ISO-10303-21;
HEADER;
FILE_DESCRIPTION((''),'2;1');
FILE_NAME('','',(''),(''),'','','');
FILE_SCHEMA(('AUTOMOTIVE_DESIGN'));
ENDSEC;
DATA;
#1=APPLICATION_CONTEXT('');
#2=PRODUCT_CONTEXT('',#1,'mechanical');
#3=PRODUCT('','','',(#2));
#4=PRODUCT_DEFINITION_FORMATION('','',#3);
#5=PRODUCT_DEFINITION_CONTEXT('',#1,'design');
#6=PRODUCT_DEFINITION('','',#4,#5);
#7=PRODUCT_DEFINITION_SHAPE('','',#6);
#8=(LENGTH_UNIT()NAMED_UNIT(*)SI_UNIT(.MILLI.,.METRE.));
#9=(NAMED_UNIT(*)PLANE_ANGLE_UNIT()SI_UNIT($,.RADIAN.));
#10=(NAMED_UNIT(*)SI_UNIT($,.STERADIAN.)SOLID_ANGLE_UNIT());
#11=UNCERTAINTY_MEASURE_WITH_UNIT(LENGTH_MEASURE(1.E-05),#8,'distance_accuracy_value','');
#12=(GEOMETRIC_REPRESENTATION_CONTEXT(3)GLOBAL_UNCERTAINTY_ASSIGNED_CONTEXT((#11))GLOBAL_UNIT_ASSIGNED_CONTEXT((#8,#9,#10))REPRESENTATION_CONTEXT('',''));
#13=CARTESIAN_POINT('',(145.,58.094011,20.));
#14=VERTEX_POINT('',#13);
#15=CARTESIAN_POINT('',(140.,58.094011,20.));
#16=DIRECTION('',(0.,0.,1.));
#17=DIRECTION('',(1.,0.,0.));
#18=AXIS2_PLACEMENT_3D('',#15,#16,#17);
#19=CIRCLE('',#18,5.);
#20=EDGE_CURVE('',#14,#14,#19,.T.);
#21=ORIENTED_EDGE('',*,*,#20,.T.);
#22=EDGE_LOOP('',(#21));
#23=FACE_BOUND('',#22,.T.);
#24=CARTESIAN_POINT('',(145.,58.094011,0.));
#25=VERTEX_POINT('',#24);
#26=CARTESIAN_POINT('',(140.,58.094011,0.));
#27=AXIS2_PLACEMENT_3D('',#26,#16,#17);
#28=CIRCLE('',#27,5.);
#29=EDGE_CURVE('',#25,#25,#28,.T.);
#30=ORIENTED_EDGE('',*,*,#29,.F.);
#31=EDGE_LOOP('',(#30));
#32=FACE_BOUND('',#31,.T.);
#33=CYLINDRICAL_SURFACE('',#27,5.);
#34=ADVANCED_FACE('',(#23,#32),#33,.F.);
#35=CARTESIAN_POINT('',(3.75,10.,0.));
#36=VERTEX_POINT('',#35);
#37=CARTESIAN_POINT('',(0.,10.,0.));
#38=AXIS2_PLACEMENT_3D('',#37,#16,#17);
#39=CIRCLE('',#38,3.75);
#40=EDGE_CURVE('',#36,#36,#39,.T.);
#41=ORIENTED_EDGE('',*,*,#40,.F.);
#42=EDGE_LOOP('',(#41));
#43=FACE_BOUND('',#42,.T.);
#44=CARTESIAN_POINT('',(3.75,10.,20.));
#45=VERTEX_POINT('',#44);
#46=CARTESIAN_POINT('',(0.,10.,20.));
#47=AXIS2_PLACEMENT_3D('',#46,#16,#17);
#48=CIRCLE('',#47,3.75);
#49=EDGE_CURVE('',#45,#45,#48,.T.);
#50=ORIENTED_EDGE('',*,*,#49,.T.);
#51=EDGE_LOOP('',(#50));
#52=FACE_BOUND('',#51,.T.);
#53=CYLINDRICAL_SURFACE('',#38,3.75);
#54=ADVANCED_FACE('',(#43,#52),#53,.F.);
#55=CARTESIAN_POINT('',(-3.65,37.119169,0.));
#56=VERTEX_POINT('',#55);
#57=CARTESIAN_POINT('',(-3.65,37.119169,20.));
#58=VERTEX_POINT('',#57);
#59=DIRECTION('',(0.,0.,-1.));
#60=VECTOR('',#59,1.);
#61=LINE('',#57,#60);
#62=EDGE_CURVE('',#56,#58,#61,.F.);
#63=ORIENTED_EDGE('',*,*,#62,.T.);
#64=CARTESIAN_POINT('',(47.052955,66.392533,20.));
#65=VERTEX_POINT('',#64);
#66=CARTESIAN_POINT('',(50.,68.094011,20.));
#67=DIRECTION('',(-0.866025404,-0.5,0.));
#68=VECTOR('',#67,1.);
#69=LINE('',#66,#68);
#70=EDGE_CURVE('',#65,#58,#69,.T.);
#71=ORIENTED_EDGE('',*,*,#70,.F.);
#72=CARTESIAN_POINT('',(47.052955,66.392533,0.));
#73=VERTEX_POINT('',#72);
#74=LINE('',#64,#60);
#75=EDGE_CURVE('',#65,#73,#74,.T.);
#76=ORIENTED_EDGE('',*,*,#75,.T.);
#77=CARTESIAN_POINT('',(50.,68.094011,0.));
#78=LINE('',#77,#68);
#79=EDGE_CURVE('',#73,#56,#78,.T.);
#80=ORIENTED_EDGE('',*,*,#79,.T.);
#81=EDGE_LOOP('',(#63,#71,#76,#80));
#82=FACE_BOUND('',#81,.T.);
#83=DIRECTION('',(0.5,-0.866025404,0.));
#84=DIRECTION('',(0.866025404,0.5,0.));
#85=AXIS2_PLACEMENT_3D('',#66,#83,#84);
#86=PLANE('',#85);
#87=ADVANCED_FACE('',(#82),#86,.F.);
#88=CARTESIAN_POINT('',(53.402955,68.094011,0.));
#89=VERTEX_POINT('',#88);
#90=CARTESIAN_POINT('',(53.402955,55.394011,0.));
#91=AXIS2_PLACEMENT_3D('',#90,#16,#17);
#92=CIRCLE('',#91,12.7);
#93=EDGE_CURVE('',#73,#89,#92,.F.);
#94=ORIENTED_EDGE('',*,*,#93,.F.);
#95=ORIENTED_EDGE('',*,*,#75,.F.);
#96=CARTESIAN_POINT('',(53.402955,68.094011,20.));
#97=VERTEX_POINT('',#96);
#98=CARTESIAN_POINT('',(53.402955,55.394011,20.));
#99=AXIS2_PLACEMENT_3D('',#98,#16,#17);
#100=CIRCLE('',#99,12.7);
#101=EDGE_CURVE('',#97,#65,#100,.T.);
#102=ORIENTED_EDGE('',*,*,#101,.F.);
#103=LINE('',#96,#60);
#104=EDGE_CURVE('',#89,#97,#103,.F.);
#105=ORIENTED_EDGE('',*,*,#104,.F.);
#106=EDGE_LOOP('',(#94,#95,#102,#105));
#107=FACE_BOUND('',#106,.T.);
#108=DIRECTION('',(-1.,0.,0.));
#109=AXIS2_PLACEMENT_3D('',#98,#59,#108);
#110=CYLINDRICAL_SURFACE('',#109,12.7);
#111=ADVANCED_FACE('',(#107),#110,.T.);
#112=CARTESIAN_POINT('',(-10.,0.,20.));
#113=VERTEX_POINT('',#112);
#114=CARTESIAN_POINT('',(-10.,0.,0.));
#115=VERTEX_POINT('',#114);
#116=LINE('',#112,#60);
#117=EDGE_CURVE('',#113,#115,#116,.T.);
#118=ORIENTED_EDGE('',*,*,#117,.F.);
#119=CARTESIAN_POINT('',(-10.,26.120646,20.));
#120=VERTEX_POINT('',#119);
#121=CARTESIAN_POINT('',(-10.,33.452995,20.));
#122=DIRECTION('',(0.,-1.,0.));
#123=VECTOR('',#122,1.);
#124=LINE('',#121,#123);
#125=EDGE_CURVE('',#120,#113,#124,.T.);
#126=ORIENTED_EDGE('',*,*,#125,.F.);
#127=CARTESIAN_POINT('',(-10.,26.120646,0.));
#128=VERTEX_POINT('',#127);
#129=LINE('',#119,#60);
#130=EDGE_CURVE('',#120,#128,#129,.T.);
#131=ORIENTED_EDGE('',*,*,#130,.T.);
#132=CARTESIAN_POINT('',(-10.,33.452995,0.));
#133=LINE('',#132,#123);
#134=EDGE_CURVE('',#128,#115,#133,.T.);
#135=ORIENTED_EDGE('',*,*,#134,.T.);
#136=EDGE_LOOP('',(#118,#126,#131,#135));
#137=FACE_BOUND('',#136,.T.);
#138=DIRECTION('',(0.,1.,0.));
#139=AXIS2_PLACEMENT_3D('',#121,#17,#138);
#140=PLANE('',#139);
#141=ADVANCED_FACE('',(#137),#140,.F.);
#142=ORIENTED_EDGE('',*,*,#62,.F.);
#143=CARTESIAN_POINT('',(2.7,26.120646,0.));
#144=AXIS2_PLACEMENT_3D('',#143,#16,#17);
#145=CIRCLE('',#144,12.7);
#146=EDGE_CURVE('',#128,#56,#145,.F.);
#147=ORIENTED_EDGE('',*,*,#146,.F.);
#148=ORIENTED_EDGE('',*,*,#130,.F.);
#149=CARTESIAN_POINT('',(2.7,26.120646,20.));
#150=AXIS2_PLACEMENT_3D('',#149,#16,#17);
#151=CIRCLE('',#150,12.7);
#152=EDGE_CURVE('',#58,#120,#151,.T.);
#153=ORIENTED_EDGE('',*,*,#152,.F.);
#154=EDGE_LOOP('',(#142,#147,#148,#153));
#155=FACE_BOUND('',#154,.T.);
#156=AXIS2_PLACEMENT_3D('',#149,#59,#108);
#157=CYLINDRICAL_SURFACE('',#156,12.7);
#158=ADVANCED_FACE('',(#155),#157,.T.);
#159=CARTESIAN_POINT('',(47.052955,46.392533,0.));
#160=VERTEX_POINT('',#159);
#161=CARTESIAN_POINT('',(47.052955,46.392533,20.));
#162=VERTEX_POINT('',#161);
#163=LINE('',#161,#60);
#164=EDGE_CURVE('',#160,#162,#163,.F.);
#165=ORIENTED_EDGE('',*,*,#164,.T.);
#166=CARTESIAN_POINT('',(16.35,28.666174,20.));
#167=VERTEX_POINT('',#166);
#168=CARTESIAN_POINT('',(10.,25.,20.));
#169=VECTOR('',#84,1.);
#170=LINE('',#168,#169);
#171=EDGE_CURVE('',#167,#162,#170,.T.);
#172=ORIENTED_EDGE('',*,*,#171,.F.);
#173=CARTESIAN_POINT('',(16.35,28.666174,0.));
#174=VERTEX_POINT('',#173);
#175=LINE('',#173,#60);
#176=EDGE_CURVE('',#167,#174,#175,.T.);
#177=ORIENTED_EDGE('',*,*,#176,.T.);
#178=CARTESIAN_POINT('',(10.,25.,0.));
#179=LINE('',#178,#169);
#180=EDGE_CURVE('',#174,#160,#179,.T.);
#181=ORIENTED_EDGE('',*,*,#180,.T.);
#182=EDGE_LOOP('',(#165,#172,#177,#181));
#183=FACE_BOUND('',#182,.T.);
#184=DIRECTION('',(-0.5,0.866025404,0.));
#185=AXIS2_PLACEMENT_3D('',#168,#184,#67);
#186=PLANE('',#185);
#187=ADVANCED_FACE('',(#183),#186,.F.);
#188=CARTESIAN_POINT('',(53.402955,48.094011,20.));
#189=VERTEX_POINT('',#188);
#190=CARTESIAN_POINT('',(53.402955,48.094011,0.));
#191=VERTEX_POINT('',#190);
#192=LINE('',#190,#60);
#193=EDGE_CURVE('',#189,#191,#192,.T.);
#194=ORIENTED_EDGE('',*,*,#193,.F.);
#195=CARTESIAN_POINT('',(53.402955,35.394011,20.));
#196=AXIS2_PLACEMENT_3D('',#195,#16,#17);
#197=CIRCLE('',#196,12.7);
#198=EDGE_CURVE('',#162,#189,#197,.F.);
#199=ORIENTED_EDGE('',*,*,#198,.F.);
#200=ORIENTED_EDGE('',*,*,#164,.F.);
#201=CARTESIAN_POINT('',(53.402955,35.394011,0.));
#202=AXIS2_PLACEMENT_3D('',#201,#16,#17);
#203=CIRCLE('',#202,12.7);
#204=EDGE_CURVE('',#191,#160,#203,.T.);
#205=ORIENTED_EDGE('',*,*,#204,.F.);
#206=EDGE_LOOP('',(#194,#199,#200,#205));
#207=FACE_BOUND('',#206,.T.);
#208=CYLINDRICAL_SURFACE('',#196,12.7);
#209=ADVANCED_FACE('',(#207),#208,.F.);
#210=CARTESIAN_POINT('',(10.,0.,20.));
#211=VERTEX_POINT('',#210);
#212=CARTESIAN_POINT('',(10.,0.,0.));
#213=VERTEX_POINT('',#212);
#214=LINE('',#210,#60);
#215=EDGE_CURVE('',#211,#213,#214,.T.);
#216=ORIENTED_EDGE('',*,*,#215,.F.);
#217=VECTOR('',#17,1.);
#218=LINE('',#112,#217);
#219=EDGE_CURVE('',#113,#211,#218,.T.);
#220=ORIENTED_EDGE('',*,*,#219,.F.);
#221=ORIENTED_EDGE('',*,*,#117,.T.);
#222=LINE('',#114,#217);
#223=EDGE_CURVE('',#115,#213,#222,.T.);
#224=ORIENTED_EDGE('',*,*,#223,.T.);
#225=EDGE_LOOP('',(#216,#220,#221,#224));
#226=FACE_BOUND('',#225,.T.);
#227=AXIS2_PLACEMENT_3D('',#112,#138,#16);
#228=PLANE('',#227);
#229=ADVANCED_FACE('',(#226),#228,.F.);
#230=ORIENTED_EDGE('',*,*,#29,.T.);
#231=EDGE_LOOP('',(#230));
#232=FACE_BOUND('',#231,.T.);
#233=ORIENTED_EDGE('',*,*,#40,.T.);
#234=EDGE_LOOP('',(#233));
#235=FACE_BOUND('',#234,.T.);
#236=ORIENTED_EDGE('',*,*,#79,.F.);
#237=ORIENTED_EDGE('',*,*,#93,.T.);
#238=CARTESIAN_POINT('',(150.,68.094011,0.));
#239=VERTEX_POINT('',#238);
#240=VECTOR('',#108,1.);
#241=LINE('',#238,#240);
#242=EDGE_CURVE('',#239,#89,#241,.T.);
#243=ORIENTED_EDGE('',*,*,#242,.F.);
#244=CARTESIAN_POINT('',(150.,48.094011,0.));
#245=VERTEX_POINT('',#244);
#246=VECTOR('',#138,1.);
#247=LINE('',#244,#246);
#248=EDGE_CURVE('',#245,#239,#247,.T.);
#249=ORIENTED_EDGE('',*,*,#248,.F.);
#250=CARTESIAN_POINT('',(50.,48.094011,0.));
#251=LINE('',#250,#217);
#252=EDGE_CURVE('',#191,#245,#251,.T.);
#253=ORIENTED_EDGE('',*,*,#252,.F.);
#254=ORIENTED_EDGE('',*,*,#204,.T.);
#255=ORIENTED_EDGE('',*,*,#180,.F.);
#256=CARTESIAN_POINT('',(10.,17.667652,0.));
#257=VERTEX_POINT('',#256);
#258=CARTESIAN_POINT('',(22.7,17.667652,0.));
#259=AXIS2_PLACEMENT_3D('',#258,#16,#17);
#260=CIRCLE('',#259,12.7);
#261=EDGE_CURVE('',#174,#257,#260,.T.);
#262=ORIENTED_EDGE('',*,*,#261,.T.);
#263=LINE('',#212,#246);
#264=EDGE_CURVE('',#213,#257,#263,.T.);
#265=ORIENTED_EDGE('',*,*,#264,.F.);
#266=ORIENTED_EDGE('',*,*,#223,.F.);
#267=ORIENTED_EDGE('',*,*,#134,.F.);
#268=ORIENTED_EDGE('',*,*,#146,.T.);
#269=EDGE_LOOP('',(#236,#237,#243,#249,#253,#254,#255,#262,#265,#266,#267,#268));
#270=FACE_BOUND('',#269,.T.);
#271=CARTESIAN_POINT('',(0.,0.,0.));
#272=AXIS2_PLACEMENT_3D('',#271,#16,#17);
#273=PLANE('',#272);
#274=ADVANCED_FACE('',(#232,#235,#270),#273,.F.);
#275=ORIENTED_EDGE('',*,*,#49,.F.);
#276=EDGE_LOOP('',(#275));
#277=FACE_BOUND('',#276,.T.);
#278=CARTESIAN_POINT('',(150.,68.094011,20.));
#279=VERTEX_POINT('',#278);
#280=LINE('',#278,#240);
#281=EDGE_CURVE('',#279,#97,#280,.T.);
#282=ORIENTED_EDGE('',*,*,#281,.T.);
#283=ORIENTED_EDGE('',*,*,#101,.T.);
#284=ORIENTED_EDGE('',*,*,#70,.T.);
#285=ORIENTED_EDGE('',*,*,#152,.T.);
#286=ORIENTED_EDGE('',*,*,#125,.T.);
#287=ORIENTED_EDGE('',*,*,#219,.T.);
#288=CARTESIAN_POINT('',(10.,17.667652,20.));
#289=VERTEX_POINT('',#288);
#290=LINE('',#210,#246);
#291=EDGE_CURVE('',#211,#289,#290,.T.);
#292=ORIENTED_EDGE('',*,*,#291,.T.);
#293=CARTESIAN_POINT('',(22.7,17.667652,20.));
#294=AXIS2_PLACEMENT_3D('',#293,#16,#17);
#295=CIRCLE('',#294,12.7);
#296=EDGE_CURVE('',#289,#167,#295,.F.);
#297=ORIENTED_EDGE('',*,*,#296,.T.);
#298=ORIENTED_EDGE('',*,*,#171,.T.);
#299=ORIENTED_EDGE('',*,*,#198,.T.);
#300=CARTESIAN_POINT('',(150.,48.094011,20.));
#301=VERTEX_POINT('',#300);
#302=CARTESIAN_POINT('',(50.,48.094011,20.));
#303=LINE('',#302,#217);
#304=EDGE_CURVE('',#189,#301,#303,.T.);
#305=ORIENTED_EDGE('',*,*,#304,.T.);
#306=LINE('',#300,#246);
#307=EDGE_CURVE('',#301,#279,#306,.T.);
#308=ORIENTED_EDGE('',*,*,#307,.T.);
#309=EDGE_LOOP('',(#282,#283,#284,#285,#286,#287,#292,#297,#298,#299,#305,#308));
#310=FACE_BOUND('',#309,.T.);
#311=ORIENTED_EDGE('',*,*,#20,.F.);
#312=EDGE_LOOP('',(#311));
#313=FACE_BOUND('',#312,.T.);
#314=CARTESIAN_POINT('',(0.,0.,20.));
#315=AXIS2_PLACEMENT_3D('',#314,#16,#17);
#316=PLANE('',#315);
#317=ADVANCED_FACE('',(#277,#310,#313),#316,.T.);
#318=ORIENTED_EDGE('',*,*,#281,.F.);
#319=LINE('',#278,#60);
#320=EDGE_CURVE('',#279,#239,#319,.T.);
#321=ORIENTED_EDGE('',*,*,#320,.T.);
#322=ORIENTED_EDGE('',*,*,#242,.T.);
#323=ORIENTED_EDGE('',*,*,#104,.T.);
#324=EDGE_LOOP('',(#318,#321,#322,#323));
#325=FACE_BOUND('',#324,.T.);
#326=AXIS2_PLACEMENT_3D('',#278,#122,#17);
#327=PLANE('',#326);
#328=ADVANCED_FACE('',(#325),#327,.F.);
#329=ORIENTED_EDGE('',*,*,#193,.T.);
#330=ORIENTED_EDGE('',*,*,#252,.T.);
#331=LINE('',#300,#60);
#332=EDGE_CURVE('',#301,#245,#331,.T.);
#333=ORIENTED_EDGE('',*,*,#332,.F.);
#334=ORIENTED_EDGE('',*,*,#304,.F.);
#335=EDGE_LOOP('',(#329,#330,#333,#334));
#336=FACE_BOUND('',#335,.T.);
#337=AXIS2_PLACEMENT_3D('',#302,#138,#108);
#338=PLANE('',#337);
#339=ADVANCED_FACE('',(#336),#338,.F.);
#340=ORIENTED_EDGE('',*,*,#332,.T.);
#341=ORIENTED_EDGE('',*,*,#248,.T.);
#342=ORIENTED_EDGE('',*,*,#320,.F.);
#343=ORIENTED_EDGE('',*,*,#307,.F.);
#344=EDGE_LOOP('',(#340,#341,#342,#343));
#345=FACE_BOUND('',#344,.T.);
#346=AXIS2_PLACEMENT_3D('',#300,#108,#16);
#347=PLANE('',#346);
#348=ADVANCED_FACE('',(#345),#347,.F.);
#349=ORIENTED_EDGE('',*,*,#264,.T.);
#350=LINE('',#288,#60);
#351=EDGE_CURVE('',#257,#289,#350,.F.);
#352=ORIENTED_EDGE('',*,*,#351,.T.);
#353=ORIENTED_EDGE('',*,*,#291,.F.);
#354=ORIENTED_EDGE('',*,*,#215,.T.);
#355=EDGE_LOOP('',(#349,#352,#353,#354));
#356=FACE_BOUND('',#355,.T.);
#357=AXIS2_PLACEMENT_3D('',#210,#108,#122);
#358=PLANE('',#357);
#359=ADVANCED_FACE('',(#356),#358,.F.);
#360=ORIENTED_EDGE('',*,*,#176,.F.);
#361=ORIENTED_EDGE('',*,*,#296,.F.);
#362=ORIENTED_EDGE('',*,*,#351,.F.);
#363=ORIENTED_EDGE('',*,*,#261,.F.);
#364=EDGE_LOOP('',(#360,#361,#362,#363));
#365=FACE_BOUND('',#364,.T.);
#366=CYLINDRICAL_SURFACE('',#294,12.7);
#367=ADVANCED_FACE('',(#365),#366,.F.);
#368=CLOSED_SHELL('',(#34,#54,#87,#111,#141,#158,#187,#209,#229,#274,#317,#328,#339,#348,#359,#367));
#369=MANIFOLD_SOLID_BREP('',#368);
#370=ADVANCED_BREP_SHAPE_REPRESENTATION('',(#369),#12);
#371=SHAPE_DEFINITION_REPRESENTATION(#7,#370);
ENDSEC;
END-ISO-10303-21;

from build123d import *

# Parameters (mm, degrees)
BOSS_EXTRUDE1_DEPTH = 20
FILLET2_R           = 12.7
SKETCH2_R           = 5
SKETCH2_R_2         = 3.75
CUT_EXTRUDE1_DEPTH  = 166.94214143


with BuildPart() as part:
    # Sketch1 → Boss-Extrude1 (new body)
    with BuildSketch(Plane.XY):
        Polygon((10, 0), (10, 25), (50, 48.094010768), (150, 48.094010768), (150, 68.094010768), (50, 68.094010768), (-10, 33.452994616), (-10, 0), align=None)
    extrude(amount=BOSS_EXTRUDE1_DEPTH)

    # Fillet2
    fillet2_edges = [part.edges().sort_by_distance(p)[0] for p in [
        (-10, 33.452994616, 10),
        (50, 68.094010768, 10),
        (50, 48.094010768, 10),
        (10, 25, 10),
    ]]
    fillet(fillet2_edges, radius=FILLET2_R)

    # Sketch2 → Cut-Extrude1 (cut, through all)
    with BuildSketch(Plane.XY.offset(20)):
        with Locations((140, 58.094010768)):
            Circle(SKETCH2_R)
        with Locations((0, 10)):
            Circle(SKETCH2_R_2)
    extrude(amount=-CUT_EXTRUDE1_DEPTH, mode=Mode.SUBTRACT)


solid = part.part
